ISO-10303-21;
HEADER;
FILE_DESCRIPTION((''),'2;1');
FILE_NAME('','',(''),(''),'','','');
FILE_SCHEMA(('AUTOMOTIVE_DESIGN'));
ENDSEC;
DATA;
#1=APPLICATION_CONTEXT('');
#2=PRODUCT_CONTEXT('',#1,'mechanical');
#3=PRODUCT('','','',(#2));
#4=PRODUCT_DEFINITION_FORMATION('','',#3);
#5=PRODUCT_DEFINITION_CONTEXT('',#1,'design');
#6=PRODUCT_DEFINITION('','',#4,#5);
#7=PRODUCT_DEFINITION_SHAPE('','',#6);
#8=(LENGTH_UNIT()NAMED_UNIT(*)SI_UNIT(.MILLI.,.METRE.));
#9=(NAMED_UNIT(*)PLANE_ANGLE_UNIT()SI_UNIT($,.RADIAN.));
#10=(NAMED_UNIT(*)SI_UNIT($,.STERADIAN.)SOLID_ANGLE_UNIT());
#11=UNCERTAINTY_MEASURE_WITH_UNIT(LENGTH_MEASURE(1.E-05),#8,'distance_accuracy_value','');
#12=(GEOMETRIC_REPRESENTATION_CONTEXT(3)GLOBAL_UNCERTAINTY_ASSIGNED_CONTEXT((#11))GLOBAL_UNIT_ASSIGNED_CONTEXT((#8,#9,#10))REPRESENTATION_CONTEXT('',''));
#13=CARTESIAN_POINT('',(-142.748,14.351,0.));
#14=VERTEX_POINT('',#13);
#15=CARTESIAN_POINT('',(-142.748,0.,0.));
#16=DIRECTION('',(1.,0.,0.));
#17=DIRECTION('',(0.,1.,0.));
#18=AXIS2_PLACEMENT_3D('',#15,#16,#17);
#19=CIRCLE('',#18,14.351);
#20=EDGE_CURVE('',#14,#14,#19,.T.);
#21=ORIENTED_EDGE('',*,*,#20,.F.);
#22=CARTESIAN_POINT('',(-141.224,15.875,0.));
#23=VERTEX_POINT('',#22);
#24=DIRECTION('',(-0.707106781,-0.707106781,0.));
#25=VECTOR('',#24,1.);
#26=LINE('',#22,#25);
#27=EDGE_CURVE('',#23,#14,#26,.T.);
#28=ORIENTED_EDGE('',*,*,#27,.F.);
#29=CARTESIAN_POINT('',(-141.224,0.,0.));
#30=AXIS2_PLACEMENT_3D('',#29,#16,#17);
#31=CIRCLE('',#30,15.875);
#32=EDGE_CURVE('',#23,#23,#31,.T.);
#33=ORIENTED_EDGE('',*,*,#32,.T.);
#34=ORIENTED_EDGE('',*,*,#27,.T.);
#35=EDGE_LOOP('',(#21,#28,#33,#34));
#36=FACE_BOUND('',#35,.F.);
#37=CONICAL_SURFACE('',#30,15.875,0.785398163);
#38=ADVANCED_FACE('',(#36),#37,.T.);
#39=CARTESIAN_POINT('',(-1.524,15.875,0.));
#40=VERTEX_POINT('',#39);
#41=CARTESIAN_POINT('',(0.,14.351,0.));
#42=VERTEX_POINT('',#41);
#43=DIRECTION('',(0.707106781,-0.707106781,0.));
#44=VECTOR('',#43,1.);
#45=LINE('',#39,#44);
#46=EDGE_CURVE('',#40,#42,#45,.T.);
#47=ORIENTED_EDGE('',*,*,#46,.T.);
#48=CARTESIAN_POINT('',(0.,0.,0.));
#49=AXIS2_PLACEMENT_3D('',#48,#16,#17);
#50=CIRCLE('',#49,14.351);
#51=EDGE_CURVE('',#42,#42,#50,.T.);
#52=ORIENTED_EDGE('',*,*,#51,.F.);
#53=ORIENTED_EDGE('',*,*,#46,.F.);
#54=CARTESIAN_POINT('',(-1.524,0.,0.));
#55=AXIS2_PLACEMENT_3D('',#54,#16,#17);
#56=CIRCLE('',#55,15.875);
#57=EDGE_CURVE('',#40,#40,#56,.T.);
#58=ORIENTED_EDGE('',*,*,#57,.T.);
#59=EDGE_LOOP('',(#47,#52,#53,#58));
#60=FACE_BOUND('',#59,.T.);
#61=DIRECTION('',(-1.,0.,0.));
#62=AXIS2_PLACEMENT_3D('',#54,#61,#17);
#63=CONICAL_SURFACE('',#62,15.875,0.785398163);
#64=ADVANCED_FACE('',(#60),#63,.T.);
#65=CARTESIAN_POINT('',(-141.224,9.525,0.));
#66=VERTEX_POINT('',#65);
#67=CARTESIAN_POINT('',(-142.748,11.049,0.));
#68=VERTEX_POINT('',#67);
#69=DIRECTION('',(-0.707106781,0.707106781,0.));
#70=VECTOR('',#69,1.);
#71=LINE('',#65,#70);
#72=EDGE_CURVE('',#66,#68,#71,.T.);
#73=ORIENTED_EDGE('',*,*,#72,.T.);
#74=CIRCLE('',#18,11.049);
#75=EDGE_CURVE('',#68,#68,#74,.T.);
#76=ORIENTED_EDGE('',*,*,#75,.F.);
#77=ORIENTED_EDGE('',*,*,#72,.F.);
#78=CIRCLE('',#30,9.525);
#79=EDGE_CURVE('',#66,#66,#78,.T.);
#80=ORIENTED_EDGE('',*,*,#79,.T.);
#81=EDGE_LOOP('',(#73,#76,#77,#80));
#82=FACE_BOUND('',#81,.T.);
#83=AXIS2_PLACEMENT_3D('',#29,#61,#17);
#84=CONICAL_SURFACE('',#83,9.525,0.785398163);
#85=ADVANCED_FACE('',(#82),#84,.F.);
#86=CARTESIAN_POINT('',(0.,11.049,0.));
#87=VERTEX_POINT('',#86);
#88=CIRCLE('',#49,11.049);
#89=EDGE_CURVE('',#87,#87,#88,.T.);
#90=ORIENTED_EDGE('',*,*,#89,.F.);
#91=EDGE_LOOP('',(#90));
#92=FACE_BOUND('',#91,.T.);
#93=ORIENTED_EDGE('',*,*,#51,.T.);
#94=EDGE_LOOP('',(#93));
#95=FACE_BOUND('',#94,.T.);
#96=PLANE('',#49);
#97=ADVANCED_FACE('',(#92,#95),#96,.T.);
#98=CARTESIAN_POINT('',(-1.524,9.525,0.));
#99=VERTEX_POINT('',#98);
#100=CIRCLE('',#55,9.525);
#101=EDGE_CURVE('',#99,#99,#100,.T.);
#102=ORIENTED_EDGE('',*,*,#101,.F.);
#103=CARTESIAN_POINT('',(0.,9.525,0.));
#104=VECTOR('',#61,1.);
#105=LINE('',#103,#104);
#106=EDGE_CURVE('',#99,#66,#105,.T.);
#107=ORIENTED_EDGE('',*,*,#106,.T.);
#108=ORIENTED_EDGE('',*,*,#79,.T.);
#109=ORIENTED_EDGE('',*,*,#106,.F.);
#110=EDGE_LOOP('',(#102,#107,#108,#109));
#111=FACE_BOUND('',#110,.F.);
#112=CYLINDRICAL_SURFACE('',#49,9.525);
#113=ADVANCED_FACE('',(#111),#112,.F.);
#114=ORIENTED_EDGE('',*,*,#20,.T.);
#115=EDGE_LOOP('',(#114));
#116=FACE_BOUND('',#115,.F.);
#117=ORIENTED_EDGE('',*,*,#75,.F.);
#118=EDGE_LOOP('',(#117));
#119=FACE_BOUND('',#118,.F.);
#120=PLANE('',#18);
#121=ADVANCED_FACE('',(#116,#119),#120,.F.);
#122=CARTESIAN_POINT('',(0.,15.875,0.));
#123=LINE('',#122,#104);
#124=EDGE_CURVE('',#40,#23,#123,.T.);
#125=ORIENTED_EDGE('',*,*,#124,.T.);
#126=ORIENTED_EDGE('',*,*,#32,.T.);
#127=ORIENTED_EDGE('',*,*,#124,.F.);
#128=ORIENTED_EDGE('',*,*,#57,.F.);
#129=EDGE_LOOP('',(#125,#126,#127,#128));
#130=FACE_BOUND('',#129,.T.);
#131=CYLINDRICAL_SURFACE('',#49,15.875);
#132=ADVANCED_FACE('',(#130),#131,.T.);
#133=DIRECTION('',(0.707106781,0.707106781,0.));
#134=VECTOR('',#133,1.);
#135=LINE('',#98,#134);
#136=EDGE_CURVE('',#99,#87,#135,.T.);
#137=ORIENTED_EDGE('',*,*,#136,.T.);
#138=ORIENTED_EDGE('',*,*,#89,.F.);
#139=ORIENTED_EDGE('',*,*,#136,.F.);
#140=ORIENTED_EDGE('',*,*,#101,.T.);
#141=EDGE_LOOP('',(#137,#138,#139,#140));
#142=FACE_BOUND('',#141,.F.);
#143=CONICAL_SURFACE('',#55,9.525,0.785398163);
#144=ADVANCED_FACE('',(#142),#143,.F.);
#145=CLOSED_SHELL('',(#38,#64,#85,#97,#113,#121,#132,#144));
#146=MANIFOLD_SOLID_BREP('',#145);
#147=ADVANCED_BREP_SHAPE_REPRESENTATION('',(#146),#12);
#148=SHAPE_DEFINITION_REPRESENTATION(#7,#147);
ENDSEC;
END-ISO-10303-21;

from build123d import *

# Parameters (mm, degrees)
F0_R     = 15.875
F0_R_2   = 9.525
F1_DEPTH = 142.748
F2_SIZE  = 1.524


with BuildPart() as f1:
    # F0 (on Right) → F1 (new body)
    with BuildSketch(Plane.YZ):
        Circle(F0_R)
        Circle(F0_R_2, mode=Mode.SUBTRACT)
    extrude(amount=-F1_DEPTH)

    # F2
    f2_edges = [f1.edges().sort_by_distance(p)[0] for p in [
        (0, -15.875, 0),
        (-142.748, -15.875, 0),
        (-142.748, -9.525, 0),
        (0, -9.525, 0),
    ]]
    chamfer(f2_edges, length=F2_SIZE)


solid = f1.part
